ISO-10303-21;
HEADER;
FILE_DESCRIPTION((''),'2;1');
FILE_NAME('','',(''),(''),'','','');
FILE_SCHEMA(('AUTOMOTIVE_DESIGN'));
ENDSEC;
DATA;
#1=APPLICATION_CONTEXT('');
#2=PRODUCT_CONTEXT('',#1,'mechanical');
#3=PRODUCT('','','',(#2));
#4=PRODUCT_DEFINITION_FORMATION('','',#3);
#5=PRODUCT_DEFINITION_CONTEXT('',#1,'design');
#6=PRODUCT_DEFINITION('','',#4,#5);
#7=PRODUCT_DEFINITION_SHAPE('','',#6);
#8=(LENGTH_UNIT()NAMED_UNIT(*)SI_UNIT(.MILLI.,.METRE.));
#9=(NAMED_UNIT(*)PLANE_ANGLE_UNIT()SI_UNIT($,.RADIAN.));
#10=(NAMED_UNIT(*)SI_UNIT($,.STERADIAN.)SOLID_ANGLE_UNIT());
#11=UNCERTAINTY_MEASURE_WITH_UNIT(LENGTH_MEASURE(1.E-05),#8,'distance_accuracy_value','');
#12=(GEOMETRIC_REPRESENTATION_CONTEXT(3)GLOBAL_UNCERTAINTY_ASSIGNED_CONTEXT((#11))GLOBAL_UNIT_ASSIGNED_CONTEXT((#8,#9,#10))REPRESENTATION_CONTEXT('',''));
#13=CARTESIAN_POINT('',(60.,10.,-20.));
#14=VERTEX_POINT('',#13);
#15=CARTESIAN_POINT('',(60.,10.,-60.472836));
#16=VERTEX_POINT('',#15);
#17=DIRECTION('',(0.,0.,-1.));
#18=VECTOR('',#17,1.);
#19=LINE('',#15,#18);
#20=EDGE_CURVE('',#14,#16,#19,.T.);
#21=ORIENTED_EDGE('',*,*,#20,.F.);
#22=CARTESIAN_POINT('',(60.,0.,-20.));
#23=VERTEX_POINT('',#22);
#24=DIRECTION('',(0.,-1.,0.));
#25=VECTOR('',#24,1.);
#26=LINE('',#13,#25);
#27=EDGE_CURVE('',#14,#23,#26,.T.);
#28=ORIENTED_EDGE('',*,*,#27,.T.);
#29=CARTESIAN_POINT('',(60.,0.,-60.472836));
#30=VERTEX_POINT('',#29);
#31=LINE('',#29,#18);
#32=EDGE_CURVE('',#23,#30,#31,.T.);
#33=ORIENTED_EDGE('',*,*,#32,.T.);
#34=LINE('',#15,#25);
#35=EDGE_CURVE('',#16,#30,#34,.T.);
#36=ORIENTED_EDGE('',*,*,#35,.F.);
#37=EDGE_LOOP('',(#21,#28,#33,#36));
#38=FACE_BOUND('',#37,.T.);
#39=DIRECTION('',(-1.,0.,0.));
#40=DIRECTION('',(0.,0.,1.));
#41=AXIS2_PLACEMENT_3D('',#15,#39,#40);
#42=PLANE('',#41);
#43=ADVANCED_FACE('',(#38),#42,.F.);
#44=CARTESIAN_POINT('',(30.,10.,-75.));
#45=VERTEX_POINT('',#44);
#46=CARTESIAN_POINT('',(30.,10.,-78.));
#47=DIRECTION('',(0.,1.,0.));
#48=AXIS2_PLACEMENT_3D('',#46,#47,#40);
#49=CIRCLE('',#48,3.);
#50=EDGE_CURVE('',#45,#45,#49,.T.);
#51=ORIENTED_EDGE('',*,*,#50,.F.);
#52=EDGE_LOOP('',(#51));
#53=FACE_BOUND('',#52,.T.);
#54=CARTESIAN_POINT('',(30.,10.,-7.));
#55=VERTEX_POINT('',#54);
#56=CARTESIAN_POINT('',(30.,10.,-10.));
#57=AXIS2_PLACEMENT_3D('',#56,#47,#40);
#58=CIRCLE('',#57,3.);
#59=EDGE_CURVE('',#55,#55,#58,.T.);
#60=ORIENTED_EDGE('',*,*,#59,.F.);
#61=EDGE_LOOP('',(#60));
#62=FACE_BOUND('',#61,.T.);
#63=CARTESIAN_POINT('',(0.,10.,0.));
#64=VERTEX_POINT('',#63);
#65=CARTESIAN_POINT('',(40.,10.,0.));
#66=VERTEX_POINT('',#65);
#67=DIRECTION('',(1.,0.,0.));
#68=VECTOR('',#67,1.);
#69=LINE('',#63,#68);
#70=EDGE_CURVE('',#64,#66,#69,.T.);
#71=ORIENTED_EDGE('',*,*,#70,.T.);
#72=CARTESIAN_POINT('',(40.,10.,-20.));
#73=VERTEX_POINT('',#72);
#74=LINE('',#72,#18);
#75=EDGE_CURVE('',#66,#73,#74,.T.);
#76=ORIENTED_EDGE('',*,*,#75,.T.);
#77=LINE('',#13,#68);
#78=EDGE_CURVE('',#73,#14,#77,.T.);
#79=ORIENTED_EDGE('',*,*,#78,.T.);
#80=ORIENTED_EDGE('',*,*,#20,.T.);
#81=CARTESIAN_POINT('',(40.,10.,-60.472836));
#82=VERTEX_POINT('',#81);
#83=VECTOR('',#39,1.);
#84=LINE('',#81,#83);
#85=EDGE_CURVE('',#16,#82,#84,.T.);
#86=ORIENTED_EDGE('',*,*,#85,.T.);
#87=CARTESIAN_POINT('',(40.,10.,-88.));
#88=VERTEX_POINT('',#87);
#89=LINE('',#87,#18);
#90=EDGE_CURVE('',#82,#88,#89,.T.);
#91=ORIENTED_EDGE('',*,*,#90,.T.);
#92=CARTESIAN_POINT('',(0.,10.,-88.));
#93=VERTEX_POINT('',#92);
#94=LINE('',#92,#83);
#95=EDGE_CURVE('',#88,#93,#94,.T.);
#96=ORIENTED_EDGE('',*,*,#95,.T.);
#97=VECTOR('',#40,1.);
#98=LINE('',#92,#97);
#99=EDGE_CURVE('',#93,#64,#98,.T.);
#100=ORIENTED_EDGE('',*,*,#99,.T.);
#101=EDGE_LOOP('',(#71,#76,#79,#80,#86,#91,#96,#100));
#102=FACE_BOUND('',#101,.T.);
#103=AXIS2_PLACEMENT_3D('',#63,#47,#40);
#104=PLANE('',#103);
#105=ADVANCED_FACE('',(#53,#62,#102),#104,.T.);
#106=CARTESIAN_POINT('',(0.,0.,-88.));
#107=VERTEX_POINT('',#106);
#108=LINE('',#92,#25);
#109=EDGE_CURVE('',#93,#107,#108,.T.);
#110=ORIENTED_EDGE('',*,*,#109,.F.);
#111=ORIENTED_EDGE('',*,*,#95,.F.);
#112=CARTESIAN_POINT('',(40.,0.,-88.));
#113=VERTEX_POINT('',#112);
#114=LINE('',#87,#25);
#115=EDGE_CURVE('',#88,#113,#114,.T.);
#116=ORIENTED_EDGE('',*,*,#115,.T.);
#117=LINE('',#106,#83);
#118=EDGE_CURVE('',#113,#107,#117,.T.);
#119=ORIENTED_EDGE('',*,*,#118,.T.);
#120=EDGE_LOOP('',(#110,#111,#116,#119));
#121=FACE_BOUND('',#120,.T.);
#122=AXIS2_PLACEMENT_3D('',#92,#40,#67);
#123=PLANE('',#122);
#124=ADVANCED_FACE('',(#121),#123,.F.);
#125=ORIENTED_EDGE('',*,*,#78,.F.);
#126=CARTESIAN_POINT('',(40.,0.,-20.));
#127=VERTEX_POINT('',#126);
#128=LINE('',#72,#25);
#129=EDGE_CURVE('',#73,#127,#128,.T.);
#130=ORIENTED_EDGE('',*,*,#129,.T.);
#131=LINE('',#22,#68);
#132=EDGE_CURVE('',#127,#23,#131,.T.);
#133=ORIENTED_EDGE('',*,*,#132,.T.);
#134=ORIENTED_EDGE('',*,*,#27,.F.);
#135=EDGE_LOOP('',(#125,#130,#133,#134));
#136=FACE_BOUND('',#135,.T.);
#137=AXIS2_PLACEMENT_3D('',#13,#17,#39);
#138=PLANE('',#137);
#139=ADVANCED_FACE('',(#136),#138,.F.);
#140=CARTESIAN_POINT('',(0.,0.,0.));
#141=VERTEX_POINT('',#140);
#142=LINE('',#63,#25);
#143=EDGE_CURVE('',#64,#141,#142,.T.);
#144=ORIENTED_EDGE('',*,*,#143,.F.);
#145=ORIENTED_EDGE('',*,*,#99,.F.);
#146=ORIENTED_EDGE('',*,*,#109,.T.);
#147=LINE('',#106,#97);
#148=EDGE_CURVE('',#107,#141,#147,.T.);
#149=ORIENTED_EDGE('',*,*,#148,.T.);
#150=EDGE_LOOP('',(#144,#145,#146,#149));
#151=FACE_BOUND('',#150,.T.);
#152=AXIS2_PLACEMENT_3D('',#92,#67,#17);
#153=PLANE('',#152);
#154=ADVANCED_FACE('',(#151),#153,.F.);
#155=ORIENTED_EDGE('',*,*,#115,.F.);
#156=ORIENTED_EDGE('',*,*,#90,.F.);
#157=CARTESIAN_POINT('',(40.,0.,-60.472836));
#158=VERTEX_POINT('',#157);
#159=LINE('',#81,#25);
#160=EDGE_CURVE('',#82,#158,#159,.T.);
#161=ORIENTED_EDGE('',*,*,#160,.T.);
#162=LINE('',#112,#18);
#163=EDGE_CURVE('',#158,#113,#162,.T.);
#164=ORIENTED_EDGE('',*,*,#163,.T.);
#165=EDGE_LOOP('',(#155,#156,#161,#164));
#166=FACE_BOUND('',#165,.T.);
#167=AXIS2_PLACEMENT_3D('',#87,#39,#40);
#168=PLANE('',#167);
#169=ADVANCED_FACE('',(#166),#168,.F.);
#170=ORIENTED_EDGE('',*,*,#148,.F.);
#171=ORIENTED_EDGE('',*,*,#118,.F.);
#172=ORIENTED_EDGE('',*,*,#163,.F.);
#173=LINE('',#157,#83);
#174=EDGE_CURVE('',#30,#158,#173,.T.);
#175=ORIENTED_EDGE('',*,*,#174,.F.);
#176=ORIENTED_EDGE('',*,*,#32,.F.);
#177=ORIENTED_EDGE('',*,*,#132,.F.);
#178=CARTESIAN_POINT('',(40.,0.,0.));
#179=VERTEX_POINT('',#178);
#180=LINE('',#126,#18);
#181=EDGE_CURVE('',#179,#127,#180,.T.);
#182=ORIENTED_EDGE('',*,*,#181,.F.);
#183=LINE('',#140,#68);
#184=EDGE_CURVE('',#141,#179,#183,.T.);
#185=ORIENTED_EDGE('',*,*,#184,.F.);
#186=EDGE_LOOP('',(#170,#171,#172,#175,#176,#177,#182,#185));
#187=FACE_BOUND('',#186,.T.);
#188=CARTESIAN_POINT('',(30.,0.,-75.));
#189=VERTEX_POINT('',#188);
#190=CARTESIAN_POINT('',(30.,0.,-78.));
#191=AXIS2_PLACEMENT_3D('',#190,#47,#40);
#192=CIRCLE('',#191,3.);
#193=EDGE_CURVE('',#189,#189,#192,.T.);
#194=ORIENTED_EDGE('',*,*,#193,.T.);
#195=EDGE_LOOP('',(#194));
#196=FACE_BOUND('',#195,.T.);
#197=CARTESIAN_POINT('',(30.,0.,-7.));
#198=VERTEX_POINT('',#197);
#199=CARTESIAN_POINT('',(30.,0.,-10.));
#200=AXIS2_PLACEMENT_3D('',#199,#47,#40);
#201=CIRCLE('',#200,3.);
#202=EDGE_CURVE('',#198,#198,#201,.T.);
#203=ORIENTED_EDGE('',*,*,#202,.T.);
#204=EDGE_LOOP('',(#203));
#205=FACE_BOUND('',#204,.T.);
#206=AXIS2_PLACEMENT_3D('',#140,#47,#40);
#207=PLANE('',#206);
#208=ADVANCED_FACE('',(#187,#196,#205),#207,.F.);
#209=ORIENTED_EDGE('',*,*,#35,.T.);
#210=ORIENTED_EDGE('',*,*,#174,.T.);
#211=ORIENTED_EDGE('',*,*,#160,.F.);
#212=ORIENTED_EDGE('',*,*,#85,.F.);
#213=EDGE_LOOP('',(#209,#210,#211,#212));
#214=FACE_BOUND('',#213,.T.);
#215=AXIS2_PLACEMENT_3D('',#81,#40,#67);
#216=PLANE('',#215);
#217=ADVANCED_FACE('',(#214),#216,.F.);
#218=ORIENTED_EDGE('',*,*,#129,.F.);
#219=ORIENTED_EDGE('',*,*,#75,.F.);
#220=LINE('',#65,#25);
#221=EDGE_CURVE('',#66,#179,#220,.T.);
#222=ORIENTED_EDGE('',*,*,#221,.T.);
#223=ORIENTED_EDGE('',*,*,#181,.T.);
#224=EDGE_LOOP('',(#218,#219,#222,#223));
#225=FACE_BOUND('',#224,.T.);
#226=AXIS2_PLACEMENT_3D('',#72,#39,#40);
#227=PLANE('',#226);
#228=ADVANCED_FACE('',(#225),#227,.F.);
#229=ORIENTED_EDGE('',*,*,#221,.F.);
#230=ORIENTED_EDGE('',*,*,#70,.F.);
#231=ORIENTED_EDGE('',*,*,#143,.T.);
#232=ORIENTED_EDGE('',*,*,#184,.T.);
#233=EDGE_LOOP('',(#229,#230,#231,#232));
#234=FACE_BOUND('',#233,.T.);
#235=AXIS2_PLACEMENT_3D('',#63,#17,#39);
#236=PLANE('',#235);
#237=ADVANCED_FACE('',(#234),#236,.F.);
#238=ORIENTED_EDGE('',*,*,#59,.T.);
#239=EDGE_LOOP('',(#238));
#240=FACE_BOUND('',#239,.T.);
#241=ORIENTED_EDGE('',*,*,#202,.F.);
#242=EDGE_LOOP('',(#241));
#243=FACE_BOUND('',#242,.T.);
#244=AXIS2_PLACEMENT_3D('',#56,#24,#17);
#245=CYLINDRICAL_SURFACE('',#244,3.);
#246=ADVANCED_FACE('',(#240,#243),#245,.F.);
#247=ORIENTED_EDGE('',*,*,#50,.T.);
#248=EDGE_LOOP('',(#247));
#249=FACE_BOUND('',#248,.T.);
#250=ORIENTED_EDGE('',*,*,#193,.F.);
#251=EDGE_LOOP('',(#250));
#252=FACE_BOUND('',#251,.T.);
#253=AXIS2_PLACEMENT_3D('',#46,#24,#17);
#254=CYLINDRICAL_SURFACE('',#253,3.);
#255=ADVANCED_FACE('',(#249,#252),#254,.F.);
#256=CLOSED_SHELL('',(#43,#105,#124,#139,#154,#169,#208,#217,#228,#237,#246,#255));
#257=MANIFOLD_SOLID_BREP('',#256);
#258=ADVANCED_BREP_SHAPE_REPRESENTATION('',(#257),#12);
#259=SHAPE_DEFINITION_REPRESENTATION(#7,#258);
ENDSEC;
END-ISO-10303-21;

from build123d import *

# Parameters (mm, degrees)
SKETCH1_R           = 3
BOSS_EXTRUDE1_DEPTH = 10


with BuildPart() as part:
    # Sketch1 → Boss-Extrude1 (new body)
    with BuildSketch(Plane(origin=(0, 0, 0), x_dir=(1, 0, 0), z_dir=(0, 1, 0))):
        Polygon((40, 88), (40, 60.47283612), (60, 60.47283612), (60, 20), (40, 20), (40, 0), (0, 0), (0, 88), align=None)
        with Locations((30, 78)):
            Circle(SKETCH1_R, mode=Mode.SUBTRACT)
        with Locations((30, 10)):
            Circle(SKETCH1_R, mode=Mode.SUBTRACT)
    extrude(amount=BOSS_EXTRUDE1_DEPTH)


solid = part.part
